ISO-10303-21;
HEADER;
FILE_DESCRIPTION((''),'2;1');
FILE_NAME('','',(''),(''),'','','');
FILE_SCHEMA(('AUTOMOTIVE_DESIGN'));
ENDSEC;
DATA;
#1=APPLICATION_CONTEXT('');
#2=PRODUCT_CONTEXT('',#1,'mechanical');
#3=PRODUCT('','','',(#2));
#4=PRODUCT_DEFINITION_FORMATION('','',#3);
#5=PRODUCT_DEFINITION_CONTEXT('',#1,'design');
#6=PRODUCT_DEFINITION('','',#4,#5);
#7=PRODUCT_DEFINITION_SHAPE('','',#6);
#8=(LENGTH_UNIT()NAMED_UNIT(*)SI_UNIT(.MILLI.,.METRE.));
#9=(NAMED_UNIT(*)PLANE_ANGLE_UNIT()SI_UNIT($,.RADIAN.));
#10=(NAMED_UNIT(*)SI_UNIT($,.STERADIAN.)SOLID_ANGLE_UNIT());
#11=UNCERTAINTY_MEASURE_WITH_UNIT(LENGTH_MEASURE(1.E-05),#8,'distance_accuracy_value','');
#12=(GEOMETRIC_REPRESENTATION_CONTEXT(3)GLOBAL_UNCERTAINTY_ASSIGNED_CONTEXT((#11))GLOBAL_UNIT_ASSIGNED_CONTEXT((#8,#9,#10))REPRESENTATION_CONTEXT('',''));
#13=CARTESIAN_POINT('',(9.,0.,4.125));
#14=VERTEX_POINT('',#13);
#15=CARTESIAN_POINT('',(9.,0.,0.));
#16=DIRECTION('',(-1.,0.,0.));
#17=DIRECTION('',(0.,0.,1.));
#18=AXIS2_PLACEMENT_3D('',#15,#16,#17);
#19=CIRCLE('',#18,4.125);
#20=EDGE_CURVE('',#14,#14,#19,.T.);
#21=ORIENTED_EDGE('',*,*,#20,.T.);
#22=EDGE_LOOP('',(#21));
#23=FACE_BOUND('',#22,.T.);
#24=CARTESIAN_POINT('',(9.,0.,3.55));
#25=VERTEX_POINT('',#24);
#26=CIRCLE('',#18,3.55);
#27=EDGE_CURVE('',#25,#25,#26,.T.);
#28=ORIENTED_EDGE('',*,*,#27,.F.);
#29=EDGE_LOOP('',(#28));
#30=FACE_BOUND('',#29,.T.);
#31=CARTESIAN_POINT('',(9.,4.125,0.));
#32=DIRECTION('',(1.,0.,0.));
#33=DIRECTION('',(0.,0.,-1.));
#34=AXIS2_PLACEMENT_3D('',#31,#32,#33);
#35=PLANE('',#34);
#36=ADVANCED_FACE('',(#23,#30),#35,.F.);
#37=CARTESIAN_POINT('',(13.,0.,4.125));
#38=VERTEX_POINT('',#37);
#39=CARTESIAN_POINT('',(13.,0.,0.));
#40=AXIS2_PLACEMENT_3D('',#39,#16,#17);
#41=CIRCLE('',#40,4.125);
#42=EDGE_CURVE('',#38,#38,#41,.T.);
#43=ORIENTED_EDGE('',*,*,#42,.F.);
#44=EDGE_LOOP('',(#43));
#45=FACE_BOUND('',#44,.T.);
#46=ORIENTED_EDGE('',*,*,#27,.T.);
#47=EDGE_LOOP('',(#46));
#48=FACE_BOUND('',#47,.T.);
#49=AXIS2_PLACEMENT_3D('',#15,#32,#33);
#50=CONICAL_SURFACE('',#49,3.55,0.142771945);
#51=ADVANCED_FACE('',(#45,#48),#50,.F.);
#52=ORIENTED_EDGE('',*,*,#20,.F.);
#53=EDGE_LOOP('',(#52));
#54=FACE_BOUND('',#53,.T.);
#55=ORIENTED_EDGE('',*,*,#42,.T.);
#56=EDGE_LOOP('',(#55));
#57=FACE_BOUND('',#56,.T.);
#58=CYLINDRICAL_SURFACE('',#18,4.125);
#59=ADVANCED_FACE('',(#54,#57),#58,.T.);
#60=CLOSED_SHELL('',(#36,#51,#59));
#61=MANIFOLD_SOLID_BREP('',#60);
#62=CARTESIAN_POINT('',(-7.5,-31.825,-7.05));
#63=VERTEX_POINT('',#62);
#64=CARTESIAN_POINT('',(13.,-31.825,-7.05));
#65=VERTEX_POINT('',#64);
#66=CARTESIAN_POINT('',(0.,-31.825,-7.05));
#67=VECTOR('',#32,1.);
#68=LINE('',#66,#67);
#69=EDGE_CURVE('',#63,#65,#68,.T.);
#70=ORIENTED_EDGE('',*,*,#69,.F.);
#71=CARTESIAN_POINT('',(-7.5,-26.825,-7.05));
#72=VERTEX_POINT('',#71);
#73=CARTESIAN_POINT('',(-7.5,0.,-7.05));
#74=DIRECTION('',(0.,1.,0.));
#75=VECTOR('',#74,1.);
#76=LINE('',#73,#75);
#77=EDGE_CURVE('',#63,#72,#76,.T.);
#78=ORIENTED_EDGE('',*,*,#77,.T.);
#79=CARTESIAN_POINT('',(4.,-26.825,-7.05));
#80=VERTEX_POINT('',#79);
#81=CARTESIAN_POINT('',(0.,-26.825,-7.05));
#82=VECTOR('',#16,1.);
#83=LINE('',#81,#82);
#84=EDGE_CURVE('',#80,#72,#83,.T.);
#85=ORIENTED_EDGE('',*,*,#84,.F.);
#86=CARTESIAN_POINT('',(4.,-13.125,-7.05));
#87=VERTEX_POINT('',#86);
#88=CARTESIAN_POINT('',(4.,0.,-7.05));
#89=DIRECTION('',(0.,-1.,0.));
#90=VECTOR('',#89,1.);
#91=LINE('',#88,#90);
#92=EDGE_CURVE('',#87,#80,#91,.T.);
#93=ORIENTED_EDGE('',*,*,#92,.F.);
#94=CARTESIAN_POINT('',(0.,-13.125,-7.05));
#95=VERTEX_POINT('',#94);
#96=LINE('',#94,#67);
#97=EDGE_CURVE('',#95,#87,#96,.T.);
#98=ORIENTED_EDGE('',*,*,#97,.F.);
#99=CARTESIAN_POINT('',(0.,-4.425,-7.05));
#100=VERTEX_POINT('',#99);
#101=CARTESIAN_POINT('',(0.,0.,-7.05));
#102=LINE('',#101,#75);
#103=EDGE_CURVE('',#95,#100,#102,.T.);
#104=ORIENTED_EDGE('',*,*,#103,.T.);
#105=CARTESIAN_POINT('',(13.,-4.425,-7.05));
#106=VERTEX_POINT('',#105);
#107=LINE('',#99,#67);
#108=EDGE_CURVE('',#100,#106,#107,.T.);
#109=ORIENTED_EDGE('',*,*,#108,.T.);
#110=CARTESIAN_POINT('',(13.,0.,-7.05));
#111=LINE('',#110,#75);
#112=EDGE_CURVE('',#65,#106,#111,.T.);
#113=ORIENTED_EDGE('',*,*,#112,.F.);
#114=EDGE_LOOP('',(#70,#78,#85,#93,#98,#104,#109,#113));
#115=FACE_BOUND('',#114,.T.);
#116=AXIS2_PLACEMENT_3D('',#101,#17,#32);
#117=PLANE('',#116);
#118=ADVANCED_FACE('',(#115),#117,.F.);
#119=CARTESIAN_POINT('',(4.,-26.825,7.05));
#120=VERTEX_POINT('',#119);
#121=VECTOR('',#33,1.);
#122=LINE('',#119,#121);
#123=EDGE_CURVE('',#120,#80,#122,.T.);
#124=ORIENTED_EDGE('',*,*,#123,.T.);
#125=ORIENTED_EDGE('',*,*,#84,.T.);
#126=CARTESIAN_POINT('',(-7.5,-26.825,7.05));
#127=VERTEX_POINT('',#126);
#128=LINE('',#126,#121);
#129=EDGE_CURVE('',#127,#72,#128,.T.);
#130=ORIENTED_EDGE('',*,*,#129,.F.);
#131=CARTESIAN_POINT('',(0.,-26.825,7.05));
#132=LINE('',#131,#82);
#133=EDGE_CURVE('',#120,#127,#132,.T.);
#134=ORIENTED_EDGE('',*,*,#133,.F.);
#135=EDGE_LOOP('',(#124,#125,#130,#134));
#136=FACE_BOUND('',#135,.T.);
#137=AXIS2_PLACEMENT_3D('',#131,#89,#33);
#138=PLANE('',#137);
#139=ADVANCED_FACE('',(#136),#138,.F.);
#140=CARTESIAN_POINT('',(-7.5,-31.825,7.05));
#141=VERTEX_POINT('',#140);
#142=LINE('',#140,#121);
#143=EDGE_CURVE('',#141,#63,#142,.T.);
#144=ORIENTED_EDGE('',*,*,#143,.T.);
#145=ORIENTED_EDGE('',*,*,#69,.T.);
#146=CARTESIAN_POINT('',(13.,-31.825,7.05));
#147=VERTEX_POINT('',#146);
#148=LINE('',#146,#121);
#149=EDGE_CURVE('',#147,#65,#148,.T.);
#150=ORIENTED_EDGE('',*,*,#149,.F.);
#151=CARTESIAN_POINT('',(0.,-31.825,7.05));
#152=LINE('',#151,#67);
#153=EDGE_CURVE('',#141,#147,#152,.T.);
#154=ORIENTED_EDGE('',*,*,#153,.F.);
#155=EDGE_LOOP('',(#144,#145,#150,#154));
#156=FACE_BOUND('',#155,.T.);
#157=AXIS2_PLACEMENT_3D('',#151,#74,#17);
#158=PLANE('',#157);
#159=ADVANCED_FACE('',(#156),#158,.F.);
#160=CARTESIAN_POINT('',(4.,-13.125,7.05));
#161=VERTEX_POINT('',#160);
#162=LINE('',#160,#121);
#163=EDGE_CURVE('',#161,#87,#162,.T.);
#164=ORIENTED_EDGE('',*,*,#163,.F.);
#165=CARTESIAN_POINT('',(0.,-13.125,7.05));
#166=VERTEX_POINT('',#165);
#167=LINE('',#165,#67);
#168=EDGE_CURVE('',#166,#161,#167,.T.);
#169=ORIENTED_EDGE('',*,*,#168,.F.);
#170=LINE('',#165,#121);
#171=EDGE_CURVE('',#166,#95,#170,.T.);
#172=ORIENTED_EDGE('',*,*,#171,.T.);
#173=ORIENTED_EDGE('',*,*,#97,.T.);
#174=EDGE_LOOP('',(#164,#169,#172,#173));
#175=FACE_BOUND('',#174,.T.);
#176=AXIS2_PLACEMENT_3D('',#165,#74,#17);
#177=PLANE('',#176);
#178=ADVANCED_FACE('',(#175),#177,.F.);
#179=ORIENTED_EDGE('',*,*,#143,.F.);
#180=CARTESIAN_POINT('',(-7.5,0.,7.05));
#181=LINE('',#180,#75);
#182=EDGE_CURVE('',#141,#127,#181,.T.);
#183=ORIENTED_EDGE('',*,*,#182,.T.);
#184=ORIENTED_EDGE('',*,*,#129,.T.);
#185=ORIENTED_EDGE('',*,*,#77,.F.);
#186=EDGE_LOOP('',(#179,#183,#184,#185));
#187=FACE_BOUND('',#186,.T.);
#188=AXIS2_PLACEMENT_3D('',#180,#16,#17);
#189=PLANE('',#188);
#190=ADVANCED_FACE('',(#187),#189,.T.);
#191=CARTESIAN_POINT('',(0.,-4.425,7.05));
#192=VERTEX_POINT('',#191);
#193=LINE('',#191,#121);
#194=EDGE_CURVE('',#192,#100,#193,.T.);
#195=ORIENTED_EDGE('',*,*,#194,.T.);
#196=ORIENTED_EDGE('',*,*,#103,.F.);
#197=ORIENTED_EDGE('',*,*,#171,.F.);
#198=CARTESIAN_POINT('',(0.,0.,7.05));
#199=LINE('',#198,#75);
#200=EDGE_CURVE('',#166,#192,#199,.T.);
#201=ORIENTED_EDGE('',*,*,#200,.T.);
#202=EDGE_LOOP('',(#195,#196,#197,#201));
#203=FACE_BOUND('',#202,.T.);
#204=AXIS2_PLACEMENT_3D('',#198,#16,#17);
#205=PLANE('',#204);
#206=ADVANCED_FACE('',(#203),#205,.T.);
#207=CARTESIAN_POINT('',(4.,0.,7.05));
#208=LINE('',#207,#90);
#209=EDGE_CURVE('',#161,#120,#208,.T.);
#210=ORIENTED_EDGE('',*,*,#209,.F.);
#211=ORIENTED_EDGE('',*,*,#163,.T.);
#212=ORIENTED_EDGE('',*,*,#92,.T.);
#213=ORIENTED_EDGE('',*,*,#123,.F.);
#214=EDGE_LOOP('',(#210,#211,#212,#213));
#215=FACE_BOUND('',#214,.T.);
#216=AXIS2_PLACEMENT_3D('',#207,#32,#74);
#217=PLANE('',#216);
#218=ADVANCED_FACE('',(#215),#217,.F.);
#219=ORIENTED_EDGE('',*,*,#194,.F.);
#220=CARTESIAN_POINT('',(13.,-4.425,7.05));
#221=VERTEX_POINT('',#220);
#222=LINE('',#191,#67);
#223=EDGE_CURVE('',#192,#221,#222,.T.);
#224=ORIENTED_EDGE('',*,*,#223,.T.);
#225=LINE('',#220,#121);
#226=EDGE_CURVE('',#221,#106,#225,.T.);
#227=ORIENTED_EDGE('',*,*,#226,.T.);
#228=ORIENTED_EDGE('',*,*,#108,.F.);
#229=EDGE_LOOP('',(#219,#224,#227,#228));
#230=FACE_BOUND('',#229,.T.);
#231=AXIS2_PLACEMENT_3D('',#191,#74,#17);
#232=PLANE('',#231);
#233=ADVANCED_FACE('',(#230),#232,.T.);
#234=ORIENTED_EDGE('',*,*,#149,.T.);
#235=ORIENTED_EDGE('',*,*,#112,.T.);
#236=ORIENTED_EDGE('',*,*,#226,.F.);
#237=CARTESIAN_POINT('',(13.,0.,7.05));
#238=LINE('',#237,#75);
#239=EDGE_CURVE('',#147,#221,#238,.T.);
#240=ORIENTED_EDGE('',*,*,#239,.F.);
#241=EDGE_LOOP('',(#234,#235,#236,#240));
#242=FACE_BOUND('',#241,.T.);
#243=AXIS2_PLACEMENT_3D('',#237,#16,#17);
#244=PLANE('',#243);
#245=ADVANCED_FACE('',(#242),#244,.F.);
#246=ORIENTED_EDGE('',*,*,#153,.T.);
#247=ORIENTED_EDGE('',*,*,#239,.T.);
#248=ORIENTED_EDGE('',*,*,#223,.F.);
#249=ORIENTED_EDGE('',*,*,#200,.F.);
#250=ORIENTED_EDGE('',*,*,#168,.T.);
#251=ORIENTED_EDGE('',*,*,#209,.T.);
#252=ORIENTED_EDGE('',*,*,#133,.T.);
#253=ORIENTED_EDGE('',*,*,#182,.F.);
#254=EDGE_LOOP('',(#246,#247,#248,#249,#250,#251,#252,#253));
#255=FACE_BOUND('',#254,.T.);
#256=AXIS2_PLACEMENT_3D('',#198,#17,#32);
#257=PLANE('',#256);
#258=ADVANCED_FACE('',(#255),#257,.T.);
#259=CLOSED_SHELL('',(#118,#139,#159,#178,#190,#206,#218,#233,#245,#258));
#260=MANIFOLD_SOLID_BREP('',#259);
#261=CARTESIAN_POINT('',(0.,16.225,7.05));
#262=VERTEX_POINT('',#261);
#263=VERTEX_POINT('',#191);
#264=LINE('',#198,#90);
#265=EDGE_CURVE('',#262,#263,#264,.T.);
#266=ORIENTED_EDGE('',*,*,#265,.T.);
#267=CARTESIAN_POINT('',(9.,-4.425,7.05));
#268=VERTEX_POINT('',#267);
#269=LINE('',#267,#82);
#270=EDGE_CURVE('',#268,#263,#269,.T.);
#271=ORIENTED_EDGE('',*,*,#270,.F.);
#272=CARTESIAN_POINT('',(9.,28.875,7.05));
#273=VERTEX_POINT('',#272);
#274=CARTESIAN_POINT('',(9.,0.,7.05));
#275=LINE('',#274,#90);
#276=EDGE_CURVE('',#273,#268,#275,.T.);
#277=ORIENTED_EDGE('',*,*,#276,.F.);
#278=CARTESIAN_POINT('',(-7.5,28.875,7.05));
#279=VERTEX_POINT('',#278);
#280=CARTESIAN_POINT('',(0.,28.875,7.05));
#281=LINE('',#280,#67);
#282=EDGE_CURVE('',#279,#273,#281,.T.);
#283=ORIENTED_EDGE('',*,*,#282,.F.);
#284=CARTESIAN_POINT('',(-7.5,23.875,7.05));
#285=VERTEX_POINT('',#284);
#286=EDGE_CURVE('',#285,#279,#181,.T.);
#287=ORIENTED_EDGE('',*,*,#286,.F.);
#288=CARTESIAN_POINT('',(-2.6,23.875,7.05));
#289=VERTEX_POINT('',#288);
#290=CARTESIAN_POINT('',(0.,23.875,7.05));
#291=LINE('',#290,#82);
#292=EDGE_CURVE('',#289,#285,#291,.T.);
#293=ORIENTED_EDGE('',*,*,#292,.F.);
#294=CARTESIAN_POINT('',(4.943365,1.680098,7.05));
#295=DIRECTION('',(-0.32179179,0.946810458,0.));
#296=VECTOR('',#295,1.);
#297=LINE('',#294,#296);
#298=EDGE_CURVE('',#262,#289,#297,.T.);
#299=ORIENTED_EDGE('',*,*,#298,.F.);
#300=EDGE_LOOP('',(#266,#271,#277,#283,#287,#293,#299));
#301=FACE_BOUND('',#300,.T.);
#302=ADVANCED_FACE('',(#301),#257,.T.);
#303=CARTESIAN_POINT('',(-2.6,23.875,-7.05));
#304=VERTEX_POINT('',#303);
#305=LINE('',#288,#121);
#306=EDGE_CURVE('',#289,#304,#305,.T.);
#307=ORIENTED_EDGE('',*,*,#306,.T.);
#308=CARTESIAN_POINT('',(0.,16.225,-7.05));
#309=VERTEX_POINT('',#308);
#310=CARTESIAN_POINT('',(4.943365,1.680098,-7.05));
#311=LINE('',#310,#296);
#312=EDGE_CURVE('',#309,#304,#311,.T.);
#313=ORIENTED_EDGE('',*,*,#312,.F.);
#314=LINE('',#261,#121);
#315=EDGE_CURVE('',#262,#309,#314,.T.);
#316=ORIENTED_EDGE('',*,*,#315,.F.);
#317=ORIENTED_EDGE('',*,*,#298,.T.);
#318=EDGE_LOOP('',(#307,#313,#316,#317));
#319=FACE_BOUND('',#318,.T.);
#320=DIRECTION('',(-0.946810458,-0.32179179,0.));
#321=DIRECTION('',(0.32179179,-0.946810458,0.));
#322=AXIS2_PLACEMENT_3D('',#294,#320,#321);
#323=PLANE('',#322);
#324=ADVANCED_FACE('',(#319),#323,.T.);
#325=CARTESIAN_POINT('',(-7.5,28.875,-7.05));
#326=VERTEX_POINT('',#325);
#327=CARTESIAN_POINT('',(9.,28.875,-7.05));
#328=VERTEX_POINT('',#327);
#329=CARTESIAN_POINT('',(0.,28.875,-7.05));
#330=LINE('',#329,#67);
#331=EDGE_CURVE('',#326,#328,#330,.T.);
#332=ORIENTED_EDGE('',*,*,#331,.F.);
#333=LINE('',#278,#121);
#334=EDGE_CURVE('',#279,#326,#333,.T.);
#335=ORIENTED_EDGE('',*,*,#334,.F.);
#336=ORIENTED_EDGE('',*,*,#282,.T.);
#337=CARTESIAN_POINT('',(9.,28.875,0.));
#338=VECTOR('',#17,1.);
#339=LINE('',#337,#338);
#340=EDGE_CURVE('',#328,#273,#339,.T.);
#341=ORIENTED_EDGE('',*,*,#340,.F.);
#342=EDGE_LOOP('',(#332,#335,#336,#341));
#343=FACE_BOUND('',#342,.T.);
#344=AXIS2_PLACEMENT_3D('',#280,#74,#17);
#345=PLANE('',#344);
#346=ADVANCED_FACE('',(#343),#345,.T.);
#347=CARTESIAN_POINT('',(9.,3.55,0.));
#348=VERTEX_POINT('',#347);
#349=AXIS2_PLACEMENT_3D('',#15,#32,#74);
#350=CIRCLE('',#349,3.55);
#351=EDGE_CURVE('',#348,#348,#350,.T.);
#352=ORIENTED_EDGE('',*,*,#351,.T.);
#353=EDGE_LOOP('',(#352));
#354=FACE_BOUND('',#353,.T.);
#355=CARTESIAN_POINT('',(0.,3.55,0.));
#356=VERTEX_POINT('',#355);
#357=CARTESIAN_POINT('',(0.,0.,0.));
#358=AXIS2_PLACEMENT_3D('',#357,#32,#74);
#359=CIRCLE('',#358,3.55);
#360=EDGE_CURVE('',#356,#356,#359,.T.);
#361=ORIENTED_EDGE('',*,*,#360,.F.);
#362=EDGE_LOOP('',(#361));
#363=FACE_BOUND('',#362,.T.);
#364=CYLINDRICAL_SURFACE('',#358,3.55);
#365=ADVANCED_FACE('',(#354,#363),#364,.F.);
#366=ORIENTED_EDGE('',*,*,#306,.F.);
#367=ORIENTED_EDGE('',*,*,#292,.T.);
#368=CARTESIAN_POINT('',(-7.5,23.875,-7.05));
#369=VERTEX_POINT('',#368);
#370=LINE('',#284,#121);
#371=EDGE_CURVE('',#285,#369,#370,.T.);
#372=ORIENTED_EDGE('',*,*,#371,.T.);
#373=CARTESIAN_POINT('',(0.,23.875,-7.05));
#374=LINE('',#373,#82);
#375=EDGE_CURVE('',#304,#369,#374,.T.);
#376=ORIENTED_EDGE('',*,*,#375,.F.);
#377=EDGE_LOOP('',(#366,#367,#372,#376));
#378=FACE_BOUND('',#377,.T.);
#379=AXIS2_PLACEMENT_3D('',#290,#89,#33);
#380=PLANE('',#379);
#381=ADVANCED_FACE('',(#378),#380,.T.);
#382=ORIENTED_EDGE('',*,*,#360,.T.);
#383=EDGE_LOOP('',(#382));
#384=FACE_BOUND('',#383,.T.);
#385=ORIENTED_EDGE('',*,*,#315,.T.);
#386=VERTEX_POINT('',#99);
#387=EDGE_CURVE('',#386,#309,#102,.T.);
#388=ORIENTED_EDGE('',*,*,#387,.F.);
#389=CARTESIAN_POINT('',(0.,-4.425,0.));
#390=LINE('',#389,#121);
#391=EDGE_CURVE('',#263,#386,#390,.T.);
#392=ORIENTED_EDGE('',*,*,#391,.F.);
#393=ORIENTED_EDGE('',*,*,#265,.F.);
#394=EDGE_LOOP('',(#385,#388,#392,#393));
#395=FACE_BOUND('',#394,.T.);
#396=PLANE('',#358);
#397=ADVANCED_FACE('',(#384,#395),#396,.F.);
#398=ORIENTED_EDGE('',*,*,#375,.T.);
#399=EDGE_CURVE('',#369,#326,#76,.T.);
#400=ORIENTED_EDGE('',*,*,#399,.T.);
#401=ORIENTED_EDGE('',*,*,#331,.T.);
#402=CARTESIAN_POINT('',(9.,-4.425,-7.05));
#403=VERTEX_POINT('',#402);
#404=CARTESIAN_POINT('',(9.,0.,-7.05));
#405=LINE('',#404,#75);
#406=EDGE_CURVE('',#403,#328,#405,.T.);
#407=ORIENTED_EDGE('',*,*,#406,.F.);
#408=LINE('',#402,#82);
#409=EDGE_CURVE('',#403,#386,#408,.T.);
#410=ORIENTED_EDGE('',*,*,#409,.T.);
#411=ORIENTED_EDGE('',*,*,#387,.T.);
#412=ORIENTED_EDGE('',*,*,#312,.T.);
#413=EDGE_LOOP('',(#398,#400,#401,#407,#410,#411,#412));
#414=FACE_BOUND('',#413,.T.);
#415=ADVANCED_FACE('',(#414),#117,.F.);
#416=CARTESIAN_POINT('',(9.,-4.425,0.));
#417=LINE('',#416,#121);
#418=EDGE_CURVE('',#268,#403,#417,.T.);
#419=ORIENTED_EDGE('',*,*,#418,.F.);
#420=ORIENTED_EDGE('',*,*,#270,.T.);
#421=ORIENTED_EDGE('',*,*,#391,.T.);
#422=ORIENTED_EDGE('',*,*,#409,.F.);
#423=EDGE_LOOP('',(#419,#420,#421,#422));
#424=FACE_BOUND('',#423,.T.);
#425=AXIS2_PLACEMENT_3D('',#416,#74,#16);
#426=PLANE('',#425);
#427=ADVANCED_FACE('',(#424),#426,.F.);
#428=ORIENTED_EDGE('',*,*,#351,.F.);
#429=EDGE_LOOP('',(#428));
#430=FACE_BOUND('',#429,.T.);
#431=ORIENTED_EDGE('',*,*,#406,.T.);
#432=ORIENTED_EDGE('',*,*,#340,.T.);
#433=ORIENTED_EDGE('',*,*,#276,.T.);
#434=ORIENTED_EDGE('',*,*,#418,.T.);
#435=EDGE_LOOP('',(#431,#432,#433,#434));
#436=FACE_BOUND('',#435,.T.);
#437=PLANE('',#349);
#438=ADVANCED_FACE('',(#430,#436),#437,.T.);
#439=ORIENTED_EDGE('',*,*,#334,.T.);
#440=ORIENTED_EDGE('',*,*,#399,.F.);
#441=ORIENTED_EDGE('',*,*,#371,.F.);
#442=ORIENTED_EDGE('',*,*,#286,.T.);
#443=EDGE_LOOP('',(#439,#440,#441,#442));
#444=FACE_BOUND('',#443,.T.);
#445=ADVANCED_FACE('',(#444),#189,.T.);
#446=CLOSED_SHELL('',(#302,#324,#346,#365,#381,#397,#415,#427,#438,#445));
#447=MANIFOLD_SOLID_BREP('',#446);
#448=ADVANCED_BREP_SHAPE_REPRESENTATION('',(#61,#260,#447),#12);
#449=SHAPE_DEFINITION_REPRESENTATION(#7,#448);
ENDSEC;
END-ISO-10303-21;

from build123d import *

# Parameters (mm, degrees)
BOSS_EXTRUDE1_DEPTH   = 7.05
BOSS_EXTRUDE1_2_DEPTH = 7.05
SKETCH3_W             = 14.1
SKETCH3_H             = 33.3
BOSS_EXTRUDE7_DEPTH   = 9
SKETCH4_R             = 3.55
CUT_EXTRUDE1_DEPTH    = 9


with BuildPart() as part:
    # Sketch1 → Revolve1 (revolve)
    with BuildSketch(Plane.XY, mode=Mode.PRIVATE) as revolve1_sk:
        Polygon((9, 4.125), (13, 4.125), (9, 3.55), align=None)
    revolve(revolve1_sk.sketch.rotate(Axis((9, 0, 0), (1, 0, 0)), 90), axis=Axis((9, 0, 0), (1, 0, 0)))


with BuildPart() as body_2:
    # Sketch2 → Boss-Extrude1 (new, symmetric)
    with BuildSketch(Plane.XY):
        Polygon((0, -4.425), (13, -4.425), (13, -31.825), (-7.5, -31.825), (-7.5, -26.825), (4, -26.825), (4, -13.125), (0, -13.125), align=None)
    extrude(amount=BOSS_EXTRUDE1_DEPTH, both=True)


with BuildPart() as body_3:
    # Sketch2 → Boss-Extrude1 2 (new, symmetric)
    with BuildSketch(Plane.XY):
        Polygon((0, 28.875), (0, 16.225), (-2.6, 23.875), (-7.5, 23.875), (-7.5, 28.875), align=None)
    extrude(amount=BOSS_EXTRUDE1_2_DEPTH, both=True)

    # Sketch3 → Boss-Extrude7 (add)
    with BuildSketch(Plane(origin=(0, 0, 0), x_dir=(0, 0, -1), z_dir=(1, 0, 0))):
        with Locations((0, 12.225)):
            Rectangle(SKETCH3_W, SKETCH3_H)
    extrude(amount=BOSS_EXTRUDE7_DEPTH)

    # Sketch4 → Cut-Extrude1 (cut)
    with BuildSketch(Plane(origin=(9, 0, 0), x_dir=(0, 0, -1), z_dir=(1, 0, 0))):
        with Locations(Location((0, 0, 0), (0, 0, 90))):
            Circle(SKETCH4_R)
    extrude(amount=-CUT_EXTRUDE1_DEPTH, mode=Mode.SUBTRACT)


solid = Compound([part.part, body_2.part, body_3.part])
